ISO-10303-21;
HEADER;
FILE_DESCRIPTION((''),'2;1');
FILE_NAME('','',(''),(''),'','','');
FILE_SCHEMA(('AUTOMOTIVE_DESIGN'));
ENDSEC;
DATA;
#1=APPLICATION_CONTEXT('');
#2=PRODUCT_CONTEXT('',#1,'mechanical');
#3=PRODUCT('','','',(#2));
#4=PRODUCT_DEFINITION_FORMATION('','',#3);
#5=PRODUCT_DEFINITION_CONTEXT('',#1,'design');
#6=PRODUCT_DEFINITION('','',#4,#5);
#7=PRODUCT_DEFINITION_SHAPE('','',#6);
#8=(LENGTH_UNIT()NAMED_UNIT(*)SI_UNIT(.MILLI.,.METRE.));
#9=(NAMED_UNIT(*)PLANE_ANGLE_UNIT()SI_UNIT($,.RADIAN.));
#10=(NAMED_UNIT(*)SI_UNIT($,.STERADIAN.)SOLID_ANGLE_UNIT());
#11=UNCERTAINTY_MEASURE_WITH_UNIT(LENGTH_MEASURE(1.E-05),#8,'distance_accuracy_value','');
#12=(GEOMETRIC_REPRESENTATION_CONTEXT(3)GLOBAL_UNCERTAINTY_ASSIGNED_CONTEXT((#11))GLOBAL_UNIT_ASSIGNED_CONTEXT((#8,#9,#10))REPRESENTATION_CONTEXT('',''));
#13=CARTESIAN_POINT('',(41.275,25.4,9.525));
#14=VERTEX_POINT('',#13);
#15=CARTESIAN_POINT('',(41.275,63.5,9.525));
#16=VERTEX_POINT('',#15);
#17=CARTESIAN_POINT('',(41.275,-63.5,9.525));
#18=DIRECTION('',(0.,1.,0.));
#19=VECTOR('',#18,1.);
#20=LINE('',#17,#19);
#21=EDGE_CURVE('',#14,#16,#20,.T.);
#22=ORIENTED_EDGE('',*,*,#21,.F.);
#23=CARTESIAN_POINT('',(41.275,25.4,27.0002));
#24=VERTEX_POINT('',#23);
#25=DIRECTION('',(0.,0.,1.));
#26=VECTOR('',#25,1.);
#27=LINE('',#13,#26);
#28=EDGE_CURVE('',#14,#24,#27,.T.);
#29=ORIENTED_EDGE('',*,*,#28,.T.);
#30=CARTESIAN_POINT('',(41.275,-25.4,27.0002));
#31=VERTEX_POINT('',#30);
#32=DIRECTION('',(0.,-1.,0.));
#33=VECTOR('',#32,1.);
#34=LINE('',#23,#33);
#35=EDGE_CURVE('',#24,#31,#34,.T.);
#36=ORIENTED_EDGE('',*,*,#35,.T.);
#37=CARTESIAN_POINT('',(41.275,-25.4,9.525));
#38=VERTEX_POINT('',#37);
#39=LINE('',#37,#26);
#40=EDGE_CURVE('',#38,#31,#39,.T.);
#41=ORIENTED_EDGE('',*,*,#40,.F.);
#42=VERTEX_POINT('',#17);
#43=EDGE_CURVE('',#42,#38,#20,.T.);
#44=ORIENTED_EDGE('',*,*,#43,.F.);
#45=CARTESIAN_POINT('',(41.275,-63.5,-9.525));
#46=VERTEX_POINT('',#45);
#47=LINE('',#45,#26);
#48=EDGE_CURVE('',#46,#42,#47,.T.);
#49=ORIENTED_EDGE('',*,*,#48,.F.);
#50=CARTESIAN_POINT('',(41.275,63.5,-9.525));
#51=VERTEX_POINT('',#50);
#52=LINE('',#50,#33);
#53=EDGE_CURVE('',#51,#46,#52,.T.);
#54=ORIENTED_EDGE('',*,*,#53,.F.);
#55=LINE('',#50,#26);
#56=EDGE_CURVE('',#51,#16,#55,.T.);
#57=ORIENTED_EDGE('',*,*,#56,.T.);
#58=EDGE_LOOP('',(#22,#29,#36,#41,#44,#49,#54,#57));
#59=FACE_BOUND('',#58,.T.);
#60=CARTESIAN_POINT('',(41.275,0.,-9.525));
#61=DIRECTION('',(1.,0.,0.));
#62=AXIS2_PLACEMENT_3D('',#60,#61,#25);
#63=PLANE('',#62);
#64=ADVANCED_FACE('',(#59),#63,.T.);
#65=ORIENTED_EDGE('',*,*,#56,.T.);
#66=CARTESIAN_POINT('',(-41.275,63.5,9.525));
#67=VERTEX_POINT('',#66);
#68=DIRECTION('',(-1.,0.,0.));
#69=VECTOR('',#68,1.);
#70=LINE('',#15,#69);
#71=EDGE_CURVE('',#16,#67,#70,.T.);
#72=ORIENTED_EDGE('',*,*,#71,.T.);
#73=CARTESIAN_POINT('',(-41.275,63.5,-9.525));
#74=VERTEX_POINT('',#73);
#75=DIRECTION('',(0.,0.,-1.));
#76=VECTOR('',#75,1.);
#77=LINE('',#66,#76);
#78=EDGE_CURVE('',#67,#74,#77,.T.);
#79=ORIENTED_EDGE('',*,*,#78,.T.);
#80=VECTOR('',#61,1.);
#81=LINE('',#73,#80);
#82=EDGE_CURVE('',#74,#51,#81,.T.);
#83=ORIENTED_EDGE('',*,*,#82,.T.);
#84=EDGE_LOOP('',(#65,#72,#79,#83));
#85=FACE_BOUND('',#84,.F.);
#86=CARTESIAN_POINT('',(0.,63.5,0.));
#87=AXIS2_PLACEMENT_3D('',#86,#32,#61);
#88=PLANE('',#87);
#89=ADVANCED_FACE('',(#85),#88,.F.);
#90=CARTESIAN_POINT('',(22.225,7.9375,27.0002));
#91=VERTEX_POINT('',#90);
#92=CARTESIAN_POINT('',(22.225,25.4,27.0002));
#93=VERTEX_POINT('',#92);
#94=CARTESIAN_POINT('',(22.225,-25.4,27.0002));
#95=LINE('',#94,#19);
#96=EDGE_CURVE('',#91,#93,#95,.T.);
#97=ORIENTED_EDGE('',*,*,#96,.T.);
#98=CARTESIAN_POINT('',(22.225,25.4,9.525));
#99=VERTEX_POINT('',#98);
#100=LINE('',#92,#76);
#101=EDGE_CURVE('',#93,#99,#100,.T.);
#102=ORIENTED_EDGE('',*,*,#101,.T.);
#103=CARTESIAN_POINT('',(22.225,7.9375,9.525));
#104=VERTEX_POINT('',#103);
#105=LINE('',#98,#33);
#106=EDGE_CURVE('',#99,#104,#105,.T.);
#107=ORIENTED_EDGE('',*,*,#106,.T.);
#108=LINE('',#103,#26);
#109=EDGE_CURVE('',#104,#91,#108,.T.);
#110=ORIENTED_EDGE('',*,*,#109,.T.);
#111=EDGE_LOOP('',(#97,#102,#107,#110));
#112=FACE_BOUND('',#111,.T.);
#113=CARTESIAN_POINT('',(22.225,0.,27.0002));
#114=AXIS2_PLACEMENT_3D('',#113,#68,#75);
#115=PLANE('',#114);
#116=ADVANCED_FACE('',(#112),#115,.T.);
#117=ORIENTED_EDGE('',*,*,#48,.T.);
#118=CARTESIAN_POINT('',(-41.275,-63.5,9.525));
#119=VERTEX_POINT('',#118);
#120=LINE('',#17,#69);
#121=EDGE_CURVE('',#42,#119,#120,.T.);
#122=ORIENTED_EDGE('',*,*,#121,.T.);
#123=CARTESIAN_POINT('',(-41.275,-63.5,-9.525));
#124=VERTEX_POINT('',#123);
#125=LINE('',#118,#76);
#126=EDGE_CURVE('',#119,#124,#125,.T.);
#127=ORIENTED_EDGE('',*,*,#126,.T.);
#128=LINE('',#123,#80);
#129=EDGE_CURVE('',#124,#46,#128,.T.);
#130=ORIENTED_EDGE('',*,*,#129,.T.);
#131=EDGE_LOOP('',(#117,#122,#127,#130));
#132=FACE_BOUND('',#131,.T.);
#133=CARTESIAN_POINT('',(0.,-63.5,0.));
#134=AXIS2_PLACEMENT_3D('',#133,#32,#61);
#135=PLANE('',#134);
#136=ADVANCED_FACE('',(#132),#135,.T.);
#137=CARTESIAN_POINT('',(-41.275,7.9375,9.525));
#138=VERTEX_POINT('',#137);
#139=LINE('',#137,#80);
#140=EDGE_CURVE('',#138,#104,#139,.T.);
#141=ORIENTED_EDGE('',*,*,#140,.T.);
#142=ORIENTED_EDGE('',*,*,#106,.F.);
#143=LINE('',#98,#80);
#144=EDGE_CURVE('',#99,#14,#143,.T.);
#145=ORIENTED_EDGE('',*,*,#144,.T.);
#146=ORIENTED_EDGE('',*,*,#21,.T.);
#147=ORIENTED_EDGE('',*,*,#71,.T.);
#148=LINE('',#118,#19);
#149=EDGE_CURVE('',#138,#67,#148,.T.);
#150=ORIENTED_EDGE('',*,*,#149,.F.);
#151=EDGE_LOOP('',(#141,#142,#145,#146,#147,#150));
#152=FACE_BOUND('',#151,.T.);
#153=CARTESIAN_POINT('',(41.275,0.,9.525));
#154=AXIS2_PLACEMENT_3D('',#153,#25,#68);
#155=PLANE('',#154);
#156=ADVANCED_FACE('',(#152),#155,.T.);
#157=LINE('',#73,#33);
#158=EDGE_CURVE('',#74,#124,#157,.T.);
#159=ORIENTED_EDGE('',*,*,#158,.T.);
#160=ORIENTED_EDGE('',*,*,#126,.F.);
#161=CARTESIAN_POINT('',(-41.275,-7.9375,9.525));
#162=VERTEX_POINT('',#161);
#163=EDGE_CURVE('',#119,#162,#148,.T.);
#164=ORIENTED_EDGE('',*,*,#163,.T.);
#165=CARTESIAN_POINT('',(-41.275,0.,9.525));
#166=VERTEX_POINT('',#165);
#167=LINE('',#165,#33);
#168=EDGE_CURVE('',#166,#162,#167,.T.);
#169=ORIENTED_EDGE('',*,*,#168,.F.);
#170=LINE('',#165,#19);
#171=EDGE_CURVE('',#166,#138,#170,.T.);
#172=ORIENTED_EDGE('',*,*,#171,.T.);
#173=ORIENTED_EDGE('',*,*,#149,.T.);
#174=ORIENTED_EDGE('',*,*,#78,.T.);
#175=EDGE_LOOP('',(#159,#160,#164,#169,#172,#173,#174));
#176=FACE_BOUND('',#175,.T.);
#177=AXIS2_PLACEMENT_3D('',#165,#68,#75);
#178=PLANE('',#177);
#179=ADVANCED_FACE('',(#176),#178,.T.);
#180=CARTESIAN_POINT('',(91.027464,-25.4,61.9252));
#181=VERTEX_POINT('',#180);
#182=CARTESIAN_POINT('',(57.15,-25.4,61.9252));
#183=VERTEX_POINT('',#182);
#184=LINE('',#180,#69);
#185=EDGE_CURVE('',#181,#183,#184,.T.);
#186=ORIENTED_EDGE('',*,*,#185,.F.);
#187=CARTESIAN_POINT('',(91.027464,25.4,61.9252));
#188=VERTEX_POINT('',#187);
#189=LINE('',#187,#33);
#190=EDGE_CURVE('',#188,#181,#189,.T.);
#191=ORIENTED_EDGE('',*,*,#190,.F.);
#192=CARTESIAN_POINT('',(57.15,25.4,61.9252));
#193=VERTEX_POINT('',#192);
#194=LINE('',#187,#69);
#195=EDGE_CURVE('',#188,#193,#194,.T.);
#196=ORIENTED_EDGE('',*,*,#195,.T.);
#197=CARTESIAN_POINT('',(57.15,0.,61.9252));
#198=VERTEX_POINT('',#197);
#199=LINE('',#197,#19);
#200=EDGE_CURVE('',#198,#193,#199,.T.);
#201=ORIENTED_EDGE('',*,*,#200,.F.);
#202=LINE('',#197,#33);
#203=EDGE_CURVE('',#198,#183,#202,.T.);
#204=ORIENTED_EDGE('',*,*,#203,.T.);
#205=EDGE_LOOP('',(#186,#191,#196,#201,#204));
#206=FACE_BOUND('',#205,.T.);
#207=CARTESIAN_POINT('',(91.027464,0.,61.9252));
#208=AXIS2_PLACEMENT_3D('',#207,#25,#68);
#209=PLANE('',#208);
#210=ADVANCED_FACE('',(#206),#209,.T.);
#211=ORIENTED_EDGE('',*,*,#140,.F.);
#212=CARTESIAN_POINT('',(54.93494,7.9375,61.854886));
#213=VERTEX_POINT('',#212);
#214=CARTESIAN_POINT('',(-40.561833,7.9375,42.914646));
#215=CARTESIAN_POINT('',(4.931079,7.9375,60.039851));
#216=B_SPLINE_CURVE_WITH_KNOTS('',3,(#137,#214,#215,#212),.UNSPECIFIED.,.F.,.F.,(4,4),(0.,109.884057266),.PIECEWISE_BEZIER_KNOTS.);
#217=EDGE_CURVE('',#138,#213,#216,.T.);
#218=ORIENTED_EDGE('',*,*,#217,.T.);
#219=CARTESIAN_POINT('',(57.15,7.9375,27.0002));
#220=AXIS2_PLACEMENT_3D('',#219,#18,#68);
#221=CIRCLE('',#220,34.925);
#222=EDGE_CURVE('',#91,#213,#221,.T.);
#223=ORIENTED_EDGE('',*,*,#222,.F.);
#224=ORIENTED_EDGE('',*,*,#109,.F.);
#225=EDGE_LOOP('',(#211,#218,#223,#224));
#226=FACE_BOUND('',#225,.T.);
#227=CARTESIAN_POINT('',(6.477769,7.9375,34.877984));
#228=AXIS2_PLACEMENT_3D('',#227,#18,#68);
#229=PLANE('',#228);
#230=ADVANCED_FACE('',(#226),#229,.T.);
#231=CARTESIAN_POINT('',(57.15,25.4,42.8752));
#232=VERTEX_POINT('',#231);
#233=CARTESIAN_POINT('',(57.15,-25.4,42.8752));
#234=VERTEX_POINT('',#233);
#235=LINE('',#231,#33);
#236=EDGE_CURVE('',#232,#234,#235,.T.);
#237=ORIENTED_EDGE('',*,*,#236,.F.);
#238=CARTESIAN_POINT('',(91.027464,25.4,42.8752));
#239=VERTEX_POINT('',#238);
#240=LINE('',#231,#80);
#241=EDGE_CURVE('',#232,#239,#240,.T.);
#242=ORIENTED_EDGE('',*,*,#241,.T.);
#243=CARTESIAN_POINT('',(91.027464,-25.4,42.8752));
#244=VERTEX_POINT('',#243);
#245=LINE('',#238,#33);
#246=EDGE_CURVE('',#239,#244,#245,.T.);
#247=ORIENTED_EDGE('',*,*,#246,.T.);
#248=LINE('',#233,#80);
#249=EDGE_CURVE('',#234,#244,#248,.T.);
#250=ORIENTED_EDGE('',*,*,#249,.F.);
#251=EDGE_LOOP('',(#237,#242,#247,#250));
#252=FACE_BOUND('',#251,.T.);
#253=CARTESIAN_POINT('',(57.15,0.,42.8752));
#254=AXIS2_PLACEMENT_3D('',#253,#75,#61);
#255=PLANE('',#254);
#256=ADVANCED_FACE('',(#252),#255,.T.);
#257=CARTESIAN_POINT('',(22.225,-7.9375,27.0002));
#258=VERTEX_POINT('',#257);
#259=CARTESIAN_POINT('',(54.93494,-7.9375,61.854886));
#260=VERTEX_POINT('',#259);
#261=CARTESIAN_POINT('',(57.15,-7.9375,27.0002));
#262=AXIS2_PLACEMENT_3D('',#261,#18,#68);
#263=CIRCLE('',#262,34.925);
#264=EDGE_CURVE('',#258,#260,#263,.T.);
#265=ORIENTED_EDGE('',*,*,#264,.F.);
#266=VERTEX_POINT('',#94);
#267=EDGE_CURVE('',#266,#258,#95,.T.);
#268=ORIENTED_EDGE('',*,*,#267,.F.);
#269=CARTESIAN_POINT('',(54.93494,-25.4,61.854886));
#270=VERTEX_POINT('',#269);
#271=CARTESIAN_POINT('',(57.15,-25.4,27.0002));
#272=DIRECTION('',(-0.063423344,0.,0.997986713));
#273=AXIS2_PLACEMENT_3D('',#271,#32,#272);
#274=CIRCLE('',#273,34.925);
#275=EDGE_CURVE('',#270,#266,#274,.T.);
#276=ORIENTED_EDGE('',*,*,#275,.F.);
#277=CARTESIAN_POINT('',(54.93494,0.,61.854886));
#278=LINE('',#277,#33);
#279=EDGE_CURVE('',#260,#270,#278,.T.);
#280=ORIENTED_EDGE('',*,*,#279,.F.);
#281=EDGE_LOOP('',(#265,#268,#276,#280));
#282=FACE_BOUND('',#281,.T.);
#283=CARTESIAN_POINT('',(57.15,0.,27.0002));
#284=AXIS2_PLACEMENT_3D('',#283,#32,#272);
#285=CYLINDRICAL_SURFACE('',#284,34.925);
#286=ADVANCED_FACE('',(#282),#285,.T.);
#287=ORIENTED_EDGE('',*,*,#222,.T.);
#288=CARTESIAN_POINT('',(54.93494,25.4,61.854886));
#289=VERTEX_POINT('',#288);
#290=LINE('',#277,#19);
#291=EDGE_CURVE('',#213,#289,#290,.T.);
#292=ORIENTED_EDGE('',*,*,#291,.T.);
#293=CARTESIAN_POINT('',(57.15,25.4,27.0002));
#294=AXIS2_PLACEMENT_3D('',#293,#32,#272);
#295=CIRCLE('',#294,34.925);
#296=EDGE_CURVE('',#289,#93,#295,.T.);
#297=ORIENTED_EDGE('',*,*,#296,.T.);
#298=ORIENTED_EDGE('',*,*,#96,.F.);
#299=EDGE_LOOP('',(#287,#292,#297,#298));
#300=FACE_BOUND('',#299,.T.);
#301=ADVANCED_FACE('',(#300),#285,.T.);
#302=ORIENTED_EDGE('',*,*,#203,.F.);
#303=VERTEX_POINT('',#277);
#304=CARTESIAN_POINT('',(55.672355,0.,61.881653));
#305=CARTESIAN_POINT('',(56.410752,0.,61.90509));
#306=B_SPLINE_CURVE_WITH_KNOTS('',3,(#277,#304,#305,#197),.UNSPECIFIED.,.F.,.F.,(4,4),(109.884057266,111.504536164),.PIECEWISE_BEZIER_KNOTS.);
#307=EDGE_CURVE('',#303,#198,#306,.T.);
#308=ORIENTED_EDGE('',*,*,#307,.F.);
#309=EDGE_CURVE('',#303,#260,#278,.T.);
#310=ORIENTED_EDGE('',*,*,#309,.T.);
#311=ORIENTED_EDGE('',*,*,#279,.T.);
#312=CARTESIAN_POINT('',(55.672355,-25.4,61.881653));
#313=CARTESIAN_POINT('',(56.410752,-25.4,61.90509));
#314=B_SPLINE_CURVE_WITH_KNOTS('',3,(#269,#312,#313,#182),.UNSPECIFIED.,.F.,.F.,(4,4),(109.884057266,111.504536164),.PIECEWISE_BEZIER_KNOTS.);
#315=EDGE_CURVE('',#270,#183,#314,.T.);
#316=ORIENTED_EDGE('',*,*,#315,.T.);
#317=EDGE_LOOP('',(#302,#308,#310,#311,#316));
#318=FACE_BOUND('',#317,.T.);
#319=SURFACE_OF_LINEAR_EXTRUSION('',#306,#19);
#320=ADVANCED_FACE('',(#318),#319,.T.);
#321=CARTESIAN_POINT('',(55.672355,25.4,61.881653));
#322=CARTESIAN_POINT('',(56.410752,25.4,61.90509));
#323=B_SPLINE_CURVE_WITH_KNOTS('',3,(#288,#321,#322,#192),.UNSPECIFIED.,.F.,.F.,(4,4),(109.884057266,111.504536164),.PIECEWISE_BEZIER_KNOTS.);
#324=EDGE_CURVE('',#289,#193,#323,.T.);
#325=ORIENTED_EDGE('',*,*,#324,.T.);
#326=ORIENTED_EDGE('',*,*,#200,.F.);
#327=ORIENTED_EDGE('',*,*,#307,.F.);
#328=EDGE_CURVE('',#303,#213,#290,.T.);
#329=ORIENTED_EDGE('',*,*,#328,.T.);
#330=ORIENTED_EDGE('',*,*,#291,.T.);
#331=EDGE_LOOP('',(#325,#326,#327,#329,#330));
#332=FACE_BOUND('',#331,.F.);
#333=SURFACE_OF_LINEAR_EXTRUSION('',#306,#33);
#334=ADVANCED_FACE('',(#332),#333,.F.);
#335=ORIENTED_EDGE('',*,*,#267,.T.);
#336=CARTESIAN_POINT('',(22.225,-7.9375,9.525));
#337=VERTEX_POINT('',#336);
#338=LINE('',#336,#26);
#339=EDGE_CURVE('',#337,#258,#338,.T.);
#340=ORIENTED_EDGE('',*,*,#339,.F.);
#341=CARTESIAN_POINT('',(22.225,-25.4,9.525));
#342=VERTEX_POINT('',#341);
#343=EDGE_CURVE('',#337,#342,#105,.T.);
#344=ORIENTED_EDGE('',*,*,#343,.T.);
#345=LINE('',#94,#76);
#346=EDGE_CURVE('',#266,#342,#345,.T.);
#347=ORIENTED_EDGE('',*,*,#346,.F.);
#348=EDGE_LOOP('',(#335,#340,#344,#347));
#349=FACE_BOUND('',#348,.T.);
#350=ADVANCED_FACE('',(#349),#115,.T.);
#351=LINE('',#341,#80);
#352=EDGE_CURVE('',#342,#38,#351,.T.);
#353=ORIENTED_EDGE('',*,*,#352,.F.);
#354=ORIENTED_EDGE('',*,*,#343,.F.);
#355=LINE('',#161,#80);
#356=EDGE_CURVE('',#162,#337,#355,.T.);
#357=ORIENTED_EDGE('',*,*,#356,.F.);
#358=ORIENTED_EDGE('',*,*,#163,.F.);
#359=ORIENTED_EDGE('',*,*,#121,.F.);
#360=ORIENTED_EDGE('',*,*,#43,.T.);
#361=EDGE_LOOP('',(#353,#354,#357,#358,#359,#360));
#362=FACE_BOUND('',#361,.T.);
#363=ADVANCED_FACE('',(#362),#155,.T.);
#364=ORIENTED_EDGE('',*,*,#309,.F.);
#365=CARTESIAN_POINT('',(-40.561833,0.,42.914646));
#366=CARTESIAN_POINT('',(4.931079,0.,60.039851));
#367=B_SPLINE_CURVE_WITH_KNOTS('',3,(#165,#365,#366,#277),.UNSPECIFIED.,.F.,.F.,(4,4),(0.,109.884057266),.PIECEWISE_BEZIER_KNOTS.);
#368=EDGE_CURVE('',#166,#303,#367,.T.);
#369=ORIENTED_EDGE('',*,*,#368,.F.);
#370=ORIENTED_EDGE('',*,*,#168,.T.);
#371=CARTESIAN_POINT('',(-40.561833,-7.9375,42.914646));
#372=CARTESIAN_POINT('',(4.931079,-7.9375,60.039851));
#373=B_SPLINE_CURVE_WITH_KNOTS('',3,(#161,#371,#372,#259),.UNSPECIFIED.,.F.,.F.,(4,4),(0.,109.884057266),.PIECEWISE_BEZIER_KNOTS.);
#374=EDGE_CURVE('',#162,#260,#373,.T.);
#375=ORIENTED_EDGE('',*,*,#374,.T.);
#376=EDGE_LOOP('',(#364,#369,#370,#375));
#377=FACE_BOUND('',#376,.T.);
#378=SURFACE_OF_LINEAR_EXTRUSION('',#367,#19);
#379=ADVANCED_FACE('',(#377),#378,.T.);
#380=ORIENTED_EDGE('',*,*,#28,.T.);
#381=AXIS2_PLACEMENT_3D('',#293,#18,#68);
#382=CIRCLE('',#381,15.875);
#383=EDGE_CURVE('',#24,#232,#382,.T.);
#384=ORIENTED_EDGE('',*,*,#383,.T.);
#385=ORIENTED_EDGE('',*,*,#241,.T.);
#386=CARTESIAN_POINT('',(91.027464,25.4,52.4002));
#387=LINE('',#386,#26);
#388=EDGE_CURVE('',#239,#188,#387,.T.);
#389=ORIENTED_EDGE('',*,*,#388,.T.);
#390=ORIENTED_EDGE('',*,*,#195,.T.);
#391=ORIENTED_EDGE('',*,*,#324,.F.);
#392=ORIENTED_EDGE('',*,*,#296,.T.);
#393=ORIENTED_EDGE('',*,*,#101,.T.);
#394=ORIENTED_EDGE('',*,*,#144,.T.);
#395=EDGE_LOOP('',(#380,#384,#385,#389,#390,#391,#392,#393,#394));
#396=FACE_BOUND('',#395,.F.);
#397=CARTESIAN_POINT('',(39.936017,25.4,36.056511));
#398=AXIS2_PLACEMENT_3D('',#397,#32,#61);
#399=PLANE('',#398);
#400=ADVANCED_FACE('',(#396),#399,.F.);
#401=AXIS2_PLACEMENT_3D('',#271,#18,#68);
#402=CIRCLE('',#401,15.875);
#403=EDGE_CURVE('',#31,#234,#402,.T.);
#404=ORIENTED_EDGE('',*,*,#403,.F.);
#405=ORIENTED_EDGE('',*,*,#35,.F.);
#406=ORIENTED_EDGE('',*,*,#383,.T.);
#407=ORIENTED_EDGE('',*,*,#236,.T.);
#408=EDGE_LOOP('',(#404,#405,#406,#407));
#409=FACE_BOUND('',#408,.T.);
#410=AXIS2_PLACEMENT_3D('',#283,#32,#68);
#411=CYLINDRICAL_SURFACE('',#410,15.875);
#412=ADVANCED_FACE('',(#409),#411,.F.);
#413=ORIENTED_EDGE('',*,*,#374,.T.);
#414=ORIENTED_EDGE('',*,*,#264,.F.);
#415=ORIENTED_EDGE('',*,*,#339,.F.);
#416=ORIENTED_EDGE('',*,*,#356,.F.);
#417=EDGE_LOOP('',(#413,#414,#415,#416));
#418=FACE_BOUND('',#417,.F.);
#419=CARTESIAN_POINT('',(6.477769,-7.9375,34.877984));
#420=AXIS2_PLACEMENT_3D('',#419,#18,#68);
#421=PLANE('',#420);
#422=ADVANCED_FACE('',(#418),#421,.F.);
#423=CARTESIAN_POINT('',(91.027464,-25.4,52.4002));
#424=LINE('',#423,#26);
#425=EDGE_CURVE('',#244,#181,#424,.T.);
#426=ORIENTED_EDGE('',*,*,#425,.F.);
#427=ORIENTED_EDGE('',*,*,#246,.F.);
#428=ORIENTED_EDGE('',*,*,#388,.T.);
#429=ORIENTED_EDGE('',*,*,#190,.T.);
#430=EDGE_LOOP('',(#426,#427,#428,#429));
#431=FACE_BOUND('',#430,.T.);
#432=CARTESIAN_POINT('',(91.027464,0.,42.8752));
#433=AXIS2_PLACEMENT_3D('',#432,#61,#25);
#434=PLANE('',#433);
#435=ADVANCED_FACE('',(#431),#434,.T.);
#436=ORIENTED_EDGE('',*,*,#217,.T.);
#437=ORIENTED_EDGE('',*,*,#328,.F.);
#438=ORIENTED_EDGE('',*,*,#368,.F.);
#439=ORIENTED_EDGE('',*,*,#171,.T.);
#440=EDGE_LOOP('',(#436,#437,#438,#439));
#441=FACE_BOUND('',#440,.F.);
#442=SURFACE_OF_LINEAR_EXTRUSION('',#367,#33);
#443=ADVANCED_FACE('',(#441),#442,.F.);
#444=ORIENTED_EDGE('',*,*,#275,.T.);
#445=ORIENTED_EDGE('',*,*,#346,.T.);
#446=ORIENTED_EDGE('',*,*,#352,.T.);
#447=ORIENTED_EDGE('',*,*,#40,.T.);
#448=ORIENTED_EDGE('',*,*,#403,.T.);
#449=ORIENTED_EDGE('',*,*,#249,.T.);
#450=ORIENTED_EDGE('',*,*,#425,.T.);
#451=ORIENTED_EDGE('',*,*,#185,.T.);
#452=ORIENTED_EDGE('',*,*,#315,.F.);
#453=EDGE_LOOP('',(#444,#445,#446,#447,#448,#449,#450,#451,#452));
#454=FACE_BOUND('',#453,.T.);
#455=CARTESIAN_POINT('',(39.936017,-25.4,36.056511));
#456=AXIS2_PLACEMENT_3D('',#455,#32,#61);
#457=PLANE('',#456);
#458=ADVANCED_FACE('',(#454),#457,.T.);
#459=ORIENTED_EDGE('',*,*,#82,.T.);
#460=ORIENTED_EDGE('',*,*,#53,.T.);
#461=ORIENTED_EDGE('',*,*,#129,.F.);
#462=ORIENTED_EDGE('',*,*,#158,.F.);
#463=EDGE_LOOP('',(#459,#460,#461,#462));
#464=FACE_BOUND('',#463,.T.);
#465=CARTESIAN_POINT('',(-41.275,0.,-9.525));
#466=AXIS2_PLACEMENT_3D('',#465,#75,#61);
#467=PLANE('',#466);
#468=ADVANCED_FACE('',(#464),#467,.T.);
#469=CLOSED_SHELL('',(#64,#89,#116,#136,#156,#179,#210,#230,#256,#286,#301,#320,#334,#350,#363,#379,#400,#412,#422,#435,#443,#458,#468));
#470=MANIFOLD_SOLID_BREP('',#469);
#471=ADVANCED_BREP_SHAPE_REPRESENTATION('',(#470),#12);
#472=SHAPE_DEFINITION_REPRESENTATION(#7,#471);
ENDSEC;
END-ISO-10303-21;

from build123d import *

# Parameters (mm, degrees)
F1_DEPTH = 63.5
F0_W     = 30.702464082
F0_H     = 19.05
F2_DEPTH = 25.4
F3_DEPTH = 7.9375


with BuildPart() as f1:
    # F0 (on Front) → F1 (new body, symmetric)
    with BuildSketch(Plane.XZ):
        Polygon((22.225, 9.525), (-41.275, 9.525), (-41.275, -9.525), (41.275, -9.525), (41.275, 9.525), align=None)
    extrude(amount=F1_DEPTH, both=True)

    # F0 (on Front) → F2 (join, symmetric)
    with BuildSketch(Plane.XZ):
        with BuildLine():
            Line((22.225, 27.0002), (22.225, 9.525))
            Line((22.225, 9.525), (41.275, 9.525))
            Line((41.275, 9.525), (41.275, 27.0002))
            ThreePointArc((41.275, 27.0002), (45.9246798487, 38.2255201513), (57.15, 42.8752))
            Line((57.15, 42.8752), (60.325, 42.8752))
            Line((60.325, 42.8752), (60.325, 61.9252))
            Line((60.325, 61.9252), (57.15, 61.9252))
            add(Edge.make_bspline(
                [(54.9349397203, 61.8548859541), (55.6723551603, 61.8816525899), (56.410751637, 61.905089585), (57.15, 61.9252)],
                knots=[109.884057266, 109.884057266, 109.884057266, 109.884057266, 111.5045361635, 111.5045361635, 111.5045361635, 111.5045361635], degree=3))
            ThreePointArc((54.9349397203, 61.8548859541), (31.6831921389, 50.899934776), (22.225, 27.0002))
        make_face()
        with Locations((75.676232041, 52.4002)):
            Rectangle(F0_W, F0_H)
    extrude(amount=F2_DEPTH, both=True)

    # F0 (on Front) → F3 (join, symmetric)
    with BuildSketch(Plane.XZ):
        with BuildLine():
            add(Edge.make_bspline(
                [(-41.275, 9.525), (-40.5618331855, 42.9146462333), (4.9310793981, 60.0398505673), (54.9349397203, 61.8548859541)],
                knots=[0, 0, 0, 0, 109.884057266, 109.884057266, 109.884057266, 109.884057266], degree=3))
            Line((-41.275, 9.525), (22.225, 9.525))
            Line((22.225, 9.525), (22.225, 27.0002))
            ThreePointArc((22.225, 27.0002), (31.6831921389, 50.899934776), (54.9349397203, 61.8548859541))
        make_face()
    extrude(amount=F3_DEPTH, both=True)


solid = f1.part
